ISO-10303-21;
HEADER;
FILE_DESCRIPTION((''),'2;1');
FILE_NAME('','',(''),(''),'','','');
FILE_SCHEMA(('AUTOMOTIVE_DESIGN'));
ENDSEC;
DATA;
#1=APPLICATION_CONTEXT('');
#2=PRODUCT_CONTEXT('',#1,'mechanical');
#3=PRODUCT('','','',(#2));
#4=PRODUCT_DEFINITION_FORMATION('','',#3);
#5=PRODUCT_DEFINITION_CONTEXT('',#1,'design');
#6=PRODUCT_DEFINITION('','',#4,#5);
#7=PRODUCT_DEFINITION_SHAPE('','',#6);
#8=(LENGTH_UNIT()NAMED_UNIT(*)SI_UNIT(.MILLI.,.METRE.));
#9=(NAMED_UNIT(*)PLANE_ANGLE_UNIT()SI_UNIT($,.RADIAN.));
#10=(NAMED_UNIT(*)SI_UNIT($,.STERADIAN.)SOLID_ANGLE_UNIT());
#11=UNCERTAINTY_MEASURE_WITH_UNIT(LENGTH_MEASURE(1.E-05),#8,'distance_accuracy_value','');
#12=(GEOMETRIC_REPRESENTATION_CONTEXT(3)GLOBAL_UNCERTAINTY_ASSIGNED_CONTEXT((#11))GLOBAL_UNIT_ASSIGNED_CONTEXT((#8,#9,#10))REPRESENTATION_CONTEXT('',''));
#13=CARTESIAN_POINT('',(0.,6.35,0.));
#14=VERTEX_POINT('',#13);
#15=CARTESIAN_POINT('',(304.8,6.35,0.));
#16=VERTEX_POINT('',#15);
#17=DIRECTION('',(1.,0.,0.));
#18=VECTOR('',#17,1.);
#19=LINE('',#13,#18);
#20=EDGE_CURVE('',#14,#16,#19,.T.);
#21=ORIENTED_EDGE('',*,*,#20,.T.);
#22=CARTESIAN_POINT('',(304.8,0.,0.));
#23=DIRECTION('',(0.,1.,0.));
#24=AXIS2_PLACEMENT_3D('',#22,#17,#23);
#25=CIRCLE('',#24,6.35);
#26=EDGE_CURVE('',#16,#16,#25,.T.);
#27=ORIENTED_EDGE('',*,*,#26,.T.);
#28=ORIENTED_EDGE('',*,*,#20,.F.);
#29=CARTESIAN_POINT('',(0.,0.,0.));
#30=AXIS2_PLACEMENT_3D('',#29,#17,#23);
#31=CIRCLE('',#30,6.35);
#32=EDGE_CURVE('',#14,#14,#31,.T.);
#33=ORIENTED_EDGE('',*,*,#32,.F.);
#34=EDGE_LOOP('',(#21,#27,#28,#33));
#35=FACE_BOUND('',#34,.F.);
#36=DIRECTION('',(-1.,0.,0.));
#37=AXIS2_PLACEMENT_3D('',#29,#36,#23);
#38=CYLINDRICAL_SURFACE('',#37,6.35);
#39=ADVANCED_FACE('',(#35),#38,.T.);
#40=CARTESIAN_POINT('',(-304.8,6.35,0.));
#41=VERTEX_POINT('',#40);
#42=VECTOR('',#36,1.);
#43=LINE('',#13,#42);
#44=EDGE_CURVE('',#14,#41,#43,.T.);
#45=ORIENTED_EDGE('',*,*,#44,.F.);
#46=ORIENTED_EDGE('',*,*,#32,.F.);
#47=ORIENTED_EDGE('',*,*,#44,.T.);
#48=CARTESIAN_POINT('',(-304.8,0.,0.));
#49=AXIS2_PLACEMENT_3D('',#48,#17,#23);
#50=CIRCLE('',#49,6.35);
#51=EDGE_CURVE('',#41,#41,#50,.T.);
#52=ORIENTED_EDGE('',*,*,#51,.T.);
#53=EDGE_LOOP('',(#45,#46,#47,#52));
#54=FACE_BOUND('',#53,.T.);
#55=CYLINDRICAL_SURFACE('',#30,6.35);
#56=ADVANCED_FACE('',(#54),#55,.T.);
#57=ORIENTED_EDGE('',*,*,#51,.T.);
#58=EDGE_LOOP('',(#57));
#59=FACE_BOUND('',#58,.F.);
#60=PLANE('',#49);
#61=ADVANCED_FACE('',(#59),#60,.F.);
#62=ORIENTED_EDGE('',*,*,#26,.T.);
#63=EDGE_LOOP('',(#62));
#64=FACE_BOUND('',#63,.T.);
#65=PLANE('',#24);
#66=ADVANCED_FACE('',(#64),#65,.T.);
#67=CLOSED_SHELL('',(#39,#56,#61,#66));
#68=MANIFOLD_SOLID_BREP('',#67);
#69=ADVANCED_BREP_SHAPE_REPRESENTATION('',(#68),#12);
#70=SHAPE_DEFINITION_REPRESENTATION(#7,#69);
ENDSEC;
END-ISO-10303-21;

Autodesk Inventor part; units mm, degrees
ref_plane "YZ Plane" through (0, 0, 0) normal (1, 0, 0) x (0, 1, 0)
ref_plane "XZ Plane" through (0, 0, 0) normal (0, 1, 0) x (-1, 0, 0)
ref_plane "XY Plane" through (0, 0, 0) normal (0, 0, 1) x (1, 0, 0)
sketch "Sketch1" plane through (0, 0, 0) normal (1, 0, 0) x (0, 1, 0)
  circle A0 centre (0, 0) radius 6.35
  dimension "d0" = 12.7
extrude "Extrusion1" add sketch "Sketch1" along normal mid plane 609.6
properties part number "Main Axle" material "Aluminum 6061"
